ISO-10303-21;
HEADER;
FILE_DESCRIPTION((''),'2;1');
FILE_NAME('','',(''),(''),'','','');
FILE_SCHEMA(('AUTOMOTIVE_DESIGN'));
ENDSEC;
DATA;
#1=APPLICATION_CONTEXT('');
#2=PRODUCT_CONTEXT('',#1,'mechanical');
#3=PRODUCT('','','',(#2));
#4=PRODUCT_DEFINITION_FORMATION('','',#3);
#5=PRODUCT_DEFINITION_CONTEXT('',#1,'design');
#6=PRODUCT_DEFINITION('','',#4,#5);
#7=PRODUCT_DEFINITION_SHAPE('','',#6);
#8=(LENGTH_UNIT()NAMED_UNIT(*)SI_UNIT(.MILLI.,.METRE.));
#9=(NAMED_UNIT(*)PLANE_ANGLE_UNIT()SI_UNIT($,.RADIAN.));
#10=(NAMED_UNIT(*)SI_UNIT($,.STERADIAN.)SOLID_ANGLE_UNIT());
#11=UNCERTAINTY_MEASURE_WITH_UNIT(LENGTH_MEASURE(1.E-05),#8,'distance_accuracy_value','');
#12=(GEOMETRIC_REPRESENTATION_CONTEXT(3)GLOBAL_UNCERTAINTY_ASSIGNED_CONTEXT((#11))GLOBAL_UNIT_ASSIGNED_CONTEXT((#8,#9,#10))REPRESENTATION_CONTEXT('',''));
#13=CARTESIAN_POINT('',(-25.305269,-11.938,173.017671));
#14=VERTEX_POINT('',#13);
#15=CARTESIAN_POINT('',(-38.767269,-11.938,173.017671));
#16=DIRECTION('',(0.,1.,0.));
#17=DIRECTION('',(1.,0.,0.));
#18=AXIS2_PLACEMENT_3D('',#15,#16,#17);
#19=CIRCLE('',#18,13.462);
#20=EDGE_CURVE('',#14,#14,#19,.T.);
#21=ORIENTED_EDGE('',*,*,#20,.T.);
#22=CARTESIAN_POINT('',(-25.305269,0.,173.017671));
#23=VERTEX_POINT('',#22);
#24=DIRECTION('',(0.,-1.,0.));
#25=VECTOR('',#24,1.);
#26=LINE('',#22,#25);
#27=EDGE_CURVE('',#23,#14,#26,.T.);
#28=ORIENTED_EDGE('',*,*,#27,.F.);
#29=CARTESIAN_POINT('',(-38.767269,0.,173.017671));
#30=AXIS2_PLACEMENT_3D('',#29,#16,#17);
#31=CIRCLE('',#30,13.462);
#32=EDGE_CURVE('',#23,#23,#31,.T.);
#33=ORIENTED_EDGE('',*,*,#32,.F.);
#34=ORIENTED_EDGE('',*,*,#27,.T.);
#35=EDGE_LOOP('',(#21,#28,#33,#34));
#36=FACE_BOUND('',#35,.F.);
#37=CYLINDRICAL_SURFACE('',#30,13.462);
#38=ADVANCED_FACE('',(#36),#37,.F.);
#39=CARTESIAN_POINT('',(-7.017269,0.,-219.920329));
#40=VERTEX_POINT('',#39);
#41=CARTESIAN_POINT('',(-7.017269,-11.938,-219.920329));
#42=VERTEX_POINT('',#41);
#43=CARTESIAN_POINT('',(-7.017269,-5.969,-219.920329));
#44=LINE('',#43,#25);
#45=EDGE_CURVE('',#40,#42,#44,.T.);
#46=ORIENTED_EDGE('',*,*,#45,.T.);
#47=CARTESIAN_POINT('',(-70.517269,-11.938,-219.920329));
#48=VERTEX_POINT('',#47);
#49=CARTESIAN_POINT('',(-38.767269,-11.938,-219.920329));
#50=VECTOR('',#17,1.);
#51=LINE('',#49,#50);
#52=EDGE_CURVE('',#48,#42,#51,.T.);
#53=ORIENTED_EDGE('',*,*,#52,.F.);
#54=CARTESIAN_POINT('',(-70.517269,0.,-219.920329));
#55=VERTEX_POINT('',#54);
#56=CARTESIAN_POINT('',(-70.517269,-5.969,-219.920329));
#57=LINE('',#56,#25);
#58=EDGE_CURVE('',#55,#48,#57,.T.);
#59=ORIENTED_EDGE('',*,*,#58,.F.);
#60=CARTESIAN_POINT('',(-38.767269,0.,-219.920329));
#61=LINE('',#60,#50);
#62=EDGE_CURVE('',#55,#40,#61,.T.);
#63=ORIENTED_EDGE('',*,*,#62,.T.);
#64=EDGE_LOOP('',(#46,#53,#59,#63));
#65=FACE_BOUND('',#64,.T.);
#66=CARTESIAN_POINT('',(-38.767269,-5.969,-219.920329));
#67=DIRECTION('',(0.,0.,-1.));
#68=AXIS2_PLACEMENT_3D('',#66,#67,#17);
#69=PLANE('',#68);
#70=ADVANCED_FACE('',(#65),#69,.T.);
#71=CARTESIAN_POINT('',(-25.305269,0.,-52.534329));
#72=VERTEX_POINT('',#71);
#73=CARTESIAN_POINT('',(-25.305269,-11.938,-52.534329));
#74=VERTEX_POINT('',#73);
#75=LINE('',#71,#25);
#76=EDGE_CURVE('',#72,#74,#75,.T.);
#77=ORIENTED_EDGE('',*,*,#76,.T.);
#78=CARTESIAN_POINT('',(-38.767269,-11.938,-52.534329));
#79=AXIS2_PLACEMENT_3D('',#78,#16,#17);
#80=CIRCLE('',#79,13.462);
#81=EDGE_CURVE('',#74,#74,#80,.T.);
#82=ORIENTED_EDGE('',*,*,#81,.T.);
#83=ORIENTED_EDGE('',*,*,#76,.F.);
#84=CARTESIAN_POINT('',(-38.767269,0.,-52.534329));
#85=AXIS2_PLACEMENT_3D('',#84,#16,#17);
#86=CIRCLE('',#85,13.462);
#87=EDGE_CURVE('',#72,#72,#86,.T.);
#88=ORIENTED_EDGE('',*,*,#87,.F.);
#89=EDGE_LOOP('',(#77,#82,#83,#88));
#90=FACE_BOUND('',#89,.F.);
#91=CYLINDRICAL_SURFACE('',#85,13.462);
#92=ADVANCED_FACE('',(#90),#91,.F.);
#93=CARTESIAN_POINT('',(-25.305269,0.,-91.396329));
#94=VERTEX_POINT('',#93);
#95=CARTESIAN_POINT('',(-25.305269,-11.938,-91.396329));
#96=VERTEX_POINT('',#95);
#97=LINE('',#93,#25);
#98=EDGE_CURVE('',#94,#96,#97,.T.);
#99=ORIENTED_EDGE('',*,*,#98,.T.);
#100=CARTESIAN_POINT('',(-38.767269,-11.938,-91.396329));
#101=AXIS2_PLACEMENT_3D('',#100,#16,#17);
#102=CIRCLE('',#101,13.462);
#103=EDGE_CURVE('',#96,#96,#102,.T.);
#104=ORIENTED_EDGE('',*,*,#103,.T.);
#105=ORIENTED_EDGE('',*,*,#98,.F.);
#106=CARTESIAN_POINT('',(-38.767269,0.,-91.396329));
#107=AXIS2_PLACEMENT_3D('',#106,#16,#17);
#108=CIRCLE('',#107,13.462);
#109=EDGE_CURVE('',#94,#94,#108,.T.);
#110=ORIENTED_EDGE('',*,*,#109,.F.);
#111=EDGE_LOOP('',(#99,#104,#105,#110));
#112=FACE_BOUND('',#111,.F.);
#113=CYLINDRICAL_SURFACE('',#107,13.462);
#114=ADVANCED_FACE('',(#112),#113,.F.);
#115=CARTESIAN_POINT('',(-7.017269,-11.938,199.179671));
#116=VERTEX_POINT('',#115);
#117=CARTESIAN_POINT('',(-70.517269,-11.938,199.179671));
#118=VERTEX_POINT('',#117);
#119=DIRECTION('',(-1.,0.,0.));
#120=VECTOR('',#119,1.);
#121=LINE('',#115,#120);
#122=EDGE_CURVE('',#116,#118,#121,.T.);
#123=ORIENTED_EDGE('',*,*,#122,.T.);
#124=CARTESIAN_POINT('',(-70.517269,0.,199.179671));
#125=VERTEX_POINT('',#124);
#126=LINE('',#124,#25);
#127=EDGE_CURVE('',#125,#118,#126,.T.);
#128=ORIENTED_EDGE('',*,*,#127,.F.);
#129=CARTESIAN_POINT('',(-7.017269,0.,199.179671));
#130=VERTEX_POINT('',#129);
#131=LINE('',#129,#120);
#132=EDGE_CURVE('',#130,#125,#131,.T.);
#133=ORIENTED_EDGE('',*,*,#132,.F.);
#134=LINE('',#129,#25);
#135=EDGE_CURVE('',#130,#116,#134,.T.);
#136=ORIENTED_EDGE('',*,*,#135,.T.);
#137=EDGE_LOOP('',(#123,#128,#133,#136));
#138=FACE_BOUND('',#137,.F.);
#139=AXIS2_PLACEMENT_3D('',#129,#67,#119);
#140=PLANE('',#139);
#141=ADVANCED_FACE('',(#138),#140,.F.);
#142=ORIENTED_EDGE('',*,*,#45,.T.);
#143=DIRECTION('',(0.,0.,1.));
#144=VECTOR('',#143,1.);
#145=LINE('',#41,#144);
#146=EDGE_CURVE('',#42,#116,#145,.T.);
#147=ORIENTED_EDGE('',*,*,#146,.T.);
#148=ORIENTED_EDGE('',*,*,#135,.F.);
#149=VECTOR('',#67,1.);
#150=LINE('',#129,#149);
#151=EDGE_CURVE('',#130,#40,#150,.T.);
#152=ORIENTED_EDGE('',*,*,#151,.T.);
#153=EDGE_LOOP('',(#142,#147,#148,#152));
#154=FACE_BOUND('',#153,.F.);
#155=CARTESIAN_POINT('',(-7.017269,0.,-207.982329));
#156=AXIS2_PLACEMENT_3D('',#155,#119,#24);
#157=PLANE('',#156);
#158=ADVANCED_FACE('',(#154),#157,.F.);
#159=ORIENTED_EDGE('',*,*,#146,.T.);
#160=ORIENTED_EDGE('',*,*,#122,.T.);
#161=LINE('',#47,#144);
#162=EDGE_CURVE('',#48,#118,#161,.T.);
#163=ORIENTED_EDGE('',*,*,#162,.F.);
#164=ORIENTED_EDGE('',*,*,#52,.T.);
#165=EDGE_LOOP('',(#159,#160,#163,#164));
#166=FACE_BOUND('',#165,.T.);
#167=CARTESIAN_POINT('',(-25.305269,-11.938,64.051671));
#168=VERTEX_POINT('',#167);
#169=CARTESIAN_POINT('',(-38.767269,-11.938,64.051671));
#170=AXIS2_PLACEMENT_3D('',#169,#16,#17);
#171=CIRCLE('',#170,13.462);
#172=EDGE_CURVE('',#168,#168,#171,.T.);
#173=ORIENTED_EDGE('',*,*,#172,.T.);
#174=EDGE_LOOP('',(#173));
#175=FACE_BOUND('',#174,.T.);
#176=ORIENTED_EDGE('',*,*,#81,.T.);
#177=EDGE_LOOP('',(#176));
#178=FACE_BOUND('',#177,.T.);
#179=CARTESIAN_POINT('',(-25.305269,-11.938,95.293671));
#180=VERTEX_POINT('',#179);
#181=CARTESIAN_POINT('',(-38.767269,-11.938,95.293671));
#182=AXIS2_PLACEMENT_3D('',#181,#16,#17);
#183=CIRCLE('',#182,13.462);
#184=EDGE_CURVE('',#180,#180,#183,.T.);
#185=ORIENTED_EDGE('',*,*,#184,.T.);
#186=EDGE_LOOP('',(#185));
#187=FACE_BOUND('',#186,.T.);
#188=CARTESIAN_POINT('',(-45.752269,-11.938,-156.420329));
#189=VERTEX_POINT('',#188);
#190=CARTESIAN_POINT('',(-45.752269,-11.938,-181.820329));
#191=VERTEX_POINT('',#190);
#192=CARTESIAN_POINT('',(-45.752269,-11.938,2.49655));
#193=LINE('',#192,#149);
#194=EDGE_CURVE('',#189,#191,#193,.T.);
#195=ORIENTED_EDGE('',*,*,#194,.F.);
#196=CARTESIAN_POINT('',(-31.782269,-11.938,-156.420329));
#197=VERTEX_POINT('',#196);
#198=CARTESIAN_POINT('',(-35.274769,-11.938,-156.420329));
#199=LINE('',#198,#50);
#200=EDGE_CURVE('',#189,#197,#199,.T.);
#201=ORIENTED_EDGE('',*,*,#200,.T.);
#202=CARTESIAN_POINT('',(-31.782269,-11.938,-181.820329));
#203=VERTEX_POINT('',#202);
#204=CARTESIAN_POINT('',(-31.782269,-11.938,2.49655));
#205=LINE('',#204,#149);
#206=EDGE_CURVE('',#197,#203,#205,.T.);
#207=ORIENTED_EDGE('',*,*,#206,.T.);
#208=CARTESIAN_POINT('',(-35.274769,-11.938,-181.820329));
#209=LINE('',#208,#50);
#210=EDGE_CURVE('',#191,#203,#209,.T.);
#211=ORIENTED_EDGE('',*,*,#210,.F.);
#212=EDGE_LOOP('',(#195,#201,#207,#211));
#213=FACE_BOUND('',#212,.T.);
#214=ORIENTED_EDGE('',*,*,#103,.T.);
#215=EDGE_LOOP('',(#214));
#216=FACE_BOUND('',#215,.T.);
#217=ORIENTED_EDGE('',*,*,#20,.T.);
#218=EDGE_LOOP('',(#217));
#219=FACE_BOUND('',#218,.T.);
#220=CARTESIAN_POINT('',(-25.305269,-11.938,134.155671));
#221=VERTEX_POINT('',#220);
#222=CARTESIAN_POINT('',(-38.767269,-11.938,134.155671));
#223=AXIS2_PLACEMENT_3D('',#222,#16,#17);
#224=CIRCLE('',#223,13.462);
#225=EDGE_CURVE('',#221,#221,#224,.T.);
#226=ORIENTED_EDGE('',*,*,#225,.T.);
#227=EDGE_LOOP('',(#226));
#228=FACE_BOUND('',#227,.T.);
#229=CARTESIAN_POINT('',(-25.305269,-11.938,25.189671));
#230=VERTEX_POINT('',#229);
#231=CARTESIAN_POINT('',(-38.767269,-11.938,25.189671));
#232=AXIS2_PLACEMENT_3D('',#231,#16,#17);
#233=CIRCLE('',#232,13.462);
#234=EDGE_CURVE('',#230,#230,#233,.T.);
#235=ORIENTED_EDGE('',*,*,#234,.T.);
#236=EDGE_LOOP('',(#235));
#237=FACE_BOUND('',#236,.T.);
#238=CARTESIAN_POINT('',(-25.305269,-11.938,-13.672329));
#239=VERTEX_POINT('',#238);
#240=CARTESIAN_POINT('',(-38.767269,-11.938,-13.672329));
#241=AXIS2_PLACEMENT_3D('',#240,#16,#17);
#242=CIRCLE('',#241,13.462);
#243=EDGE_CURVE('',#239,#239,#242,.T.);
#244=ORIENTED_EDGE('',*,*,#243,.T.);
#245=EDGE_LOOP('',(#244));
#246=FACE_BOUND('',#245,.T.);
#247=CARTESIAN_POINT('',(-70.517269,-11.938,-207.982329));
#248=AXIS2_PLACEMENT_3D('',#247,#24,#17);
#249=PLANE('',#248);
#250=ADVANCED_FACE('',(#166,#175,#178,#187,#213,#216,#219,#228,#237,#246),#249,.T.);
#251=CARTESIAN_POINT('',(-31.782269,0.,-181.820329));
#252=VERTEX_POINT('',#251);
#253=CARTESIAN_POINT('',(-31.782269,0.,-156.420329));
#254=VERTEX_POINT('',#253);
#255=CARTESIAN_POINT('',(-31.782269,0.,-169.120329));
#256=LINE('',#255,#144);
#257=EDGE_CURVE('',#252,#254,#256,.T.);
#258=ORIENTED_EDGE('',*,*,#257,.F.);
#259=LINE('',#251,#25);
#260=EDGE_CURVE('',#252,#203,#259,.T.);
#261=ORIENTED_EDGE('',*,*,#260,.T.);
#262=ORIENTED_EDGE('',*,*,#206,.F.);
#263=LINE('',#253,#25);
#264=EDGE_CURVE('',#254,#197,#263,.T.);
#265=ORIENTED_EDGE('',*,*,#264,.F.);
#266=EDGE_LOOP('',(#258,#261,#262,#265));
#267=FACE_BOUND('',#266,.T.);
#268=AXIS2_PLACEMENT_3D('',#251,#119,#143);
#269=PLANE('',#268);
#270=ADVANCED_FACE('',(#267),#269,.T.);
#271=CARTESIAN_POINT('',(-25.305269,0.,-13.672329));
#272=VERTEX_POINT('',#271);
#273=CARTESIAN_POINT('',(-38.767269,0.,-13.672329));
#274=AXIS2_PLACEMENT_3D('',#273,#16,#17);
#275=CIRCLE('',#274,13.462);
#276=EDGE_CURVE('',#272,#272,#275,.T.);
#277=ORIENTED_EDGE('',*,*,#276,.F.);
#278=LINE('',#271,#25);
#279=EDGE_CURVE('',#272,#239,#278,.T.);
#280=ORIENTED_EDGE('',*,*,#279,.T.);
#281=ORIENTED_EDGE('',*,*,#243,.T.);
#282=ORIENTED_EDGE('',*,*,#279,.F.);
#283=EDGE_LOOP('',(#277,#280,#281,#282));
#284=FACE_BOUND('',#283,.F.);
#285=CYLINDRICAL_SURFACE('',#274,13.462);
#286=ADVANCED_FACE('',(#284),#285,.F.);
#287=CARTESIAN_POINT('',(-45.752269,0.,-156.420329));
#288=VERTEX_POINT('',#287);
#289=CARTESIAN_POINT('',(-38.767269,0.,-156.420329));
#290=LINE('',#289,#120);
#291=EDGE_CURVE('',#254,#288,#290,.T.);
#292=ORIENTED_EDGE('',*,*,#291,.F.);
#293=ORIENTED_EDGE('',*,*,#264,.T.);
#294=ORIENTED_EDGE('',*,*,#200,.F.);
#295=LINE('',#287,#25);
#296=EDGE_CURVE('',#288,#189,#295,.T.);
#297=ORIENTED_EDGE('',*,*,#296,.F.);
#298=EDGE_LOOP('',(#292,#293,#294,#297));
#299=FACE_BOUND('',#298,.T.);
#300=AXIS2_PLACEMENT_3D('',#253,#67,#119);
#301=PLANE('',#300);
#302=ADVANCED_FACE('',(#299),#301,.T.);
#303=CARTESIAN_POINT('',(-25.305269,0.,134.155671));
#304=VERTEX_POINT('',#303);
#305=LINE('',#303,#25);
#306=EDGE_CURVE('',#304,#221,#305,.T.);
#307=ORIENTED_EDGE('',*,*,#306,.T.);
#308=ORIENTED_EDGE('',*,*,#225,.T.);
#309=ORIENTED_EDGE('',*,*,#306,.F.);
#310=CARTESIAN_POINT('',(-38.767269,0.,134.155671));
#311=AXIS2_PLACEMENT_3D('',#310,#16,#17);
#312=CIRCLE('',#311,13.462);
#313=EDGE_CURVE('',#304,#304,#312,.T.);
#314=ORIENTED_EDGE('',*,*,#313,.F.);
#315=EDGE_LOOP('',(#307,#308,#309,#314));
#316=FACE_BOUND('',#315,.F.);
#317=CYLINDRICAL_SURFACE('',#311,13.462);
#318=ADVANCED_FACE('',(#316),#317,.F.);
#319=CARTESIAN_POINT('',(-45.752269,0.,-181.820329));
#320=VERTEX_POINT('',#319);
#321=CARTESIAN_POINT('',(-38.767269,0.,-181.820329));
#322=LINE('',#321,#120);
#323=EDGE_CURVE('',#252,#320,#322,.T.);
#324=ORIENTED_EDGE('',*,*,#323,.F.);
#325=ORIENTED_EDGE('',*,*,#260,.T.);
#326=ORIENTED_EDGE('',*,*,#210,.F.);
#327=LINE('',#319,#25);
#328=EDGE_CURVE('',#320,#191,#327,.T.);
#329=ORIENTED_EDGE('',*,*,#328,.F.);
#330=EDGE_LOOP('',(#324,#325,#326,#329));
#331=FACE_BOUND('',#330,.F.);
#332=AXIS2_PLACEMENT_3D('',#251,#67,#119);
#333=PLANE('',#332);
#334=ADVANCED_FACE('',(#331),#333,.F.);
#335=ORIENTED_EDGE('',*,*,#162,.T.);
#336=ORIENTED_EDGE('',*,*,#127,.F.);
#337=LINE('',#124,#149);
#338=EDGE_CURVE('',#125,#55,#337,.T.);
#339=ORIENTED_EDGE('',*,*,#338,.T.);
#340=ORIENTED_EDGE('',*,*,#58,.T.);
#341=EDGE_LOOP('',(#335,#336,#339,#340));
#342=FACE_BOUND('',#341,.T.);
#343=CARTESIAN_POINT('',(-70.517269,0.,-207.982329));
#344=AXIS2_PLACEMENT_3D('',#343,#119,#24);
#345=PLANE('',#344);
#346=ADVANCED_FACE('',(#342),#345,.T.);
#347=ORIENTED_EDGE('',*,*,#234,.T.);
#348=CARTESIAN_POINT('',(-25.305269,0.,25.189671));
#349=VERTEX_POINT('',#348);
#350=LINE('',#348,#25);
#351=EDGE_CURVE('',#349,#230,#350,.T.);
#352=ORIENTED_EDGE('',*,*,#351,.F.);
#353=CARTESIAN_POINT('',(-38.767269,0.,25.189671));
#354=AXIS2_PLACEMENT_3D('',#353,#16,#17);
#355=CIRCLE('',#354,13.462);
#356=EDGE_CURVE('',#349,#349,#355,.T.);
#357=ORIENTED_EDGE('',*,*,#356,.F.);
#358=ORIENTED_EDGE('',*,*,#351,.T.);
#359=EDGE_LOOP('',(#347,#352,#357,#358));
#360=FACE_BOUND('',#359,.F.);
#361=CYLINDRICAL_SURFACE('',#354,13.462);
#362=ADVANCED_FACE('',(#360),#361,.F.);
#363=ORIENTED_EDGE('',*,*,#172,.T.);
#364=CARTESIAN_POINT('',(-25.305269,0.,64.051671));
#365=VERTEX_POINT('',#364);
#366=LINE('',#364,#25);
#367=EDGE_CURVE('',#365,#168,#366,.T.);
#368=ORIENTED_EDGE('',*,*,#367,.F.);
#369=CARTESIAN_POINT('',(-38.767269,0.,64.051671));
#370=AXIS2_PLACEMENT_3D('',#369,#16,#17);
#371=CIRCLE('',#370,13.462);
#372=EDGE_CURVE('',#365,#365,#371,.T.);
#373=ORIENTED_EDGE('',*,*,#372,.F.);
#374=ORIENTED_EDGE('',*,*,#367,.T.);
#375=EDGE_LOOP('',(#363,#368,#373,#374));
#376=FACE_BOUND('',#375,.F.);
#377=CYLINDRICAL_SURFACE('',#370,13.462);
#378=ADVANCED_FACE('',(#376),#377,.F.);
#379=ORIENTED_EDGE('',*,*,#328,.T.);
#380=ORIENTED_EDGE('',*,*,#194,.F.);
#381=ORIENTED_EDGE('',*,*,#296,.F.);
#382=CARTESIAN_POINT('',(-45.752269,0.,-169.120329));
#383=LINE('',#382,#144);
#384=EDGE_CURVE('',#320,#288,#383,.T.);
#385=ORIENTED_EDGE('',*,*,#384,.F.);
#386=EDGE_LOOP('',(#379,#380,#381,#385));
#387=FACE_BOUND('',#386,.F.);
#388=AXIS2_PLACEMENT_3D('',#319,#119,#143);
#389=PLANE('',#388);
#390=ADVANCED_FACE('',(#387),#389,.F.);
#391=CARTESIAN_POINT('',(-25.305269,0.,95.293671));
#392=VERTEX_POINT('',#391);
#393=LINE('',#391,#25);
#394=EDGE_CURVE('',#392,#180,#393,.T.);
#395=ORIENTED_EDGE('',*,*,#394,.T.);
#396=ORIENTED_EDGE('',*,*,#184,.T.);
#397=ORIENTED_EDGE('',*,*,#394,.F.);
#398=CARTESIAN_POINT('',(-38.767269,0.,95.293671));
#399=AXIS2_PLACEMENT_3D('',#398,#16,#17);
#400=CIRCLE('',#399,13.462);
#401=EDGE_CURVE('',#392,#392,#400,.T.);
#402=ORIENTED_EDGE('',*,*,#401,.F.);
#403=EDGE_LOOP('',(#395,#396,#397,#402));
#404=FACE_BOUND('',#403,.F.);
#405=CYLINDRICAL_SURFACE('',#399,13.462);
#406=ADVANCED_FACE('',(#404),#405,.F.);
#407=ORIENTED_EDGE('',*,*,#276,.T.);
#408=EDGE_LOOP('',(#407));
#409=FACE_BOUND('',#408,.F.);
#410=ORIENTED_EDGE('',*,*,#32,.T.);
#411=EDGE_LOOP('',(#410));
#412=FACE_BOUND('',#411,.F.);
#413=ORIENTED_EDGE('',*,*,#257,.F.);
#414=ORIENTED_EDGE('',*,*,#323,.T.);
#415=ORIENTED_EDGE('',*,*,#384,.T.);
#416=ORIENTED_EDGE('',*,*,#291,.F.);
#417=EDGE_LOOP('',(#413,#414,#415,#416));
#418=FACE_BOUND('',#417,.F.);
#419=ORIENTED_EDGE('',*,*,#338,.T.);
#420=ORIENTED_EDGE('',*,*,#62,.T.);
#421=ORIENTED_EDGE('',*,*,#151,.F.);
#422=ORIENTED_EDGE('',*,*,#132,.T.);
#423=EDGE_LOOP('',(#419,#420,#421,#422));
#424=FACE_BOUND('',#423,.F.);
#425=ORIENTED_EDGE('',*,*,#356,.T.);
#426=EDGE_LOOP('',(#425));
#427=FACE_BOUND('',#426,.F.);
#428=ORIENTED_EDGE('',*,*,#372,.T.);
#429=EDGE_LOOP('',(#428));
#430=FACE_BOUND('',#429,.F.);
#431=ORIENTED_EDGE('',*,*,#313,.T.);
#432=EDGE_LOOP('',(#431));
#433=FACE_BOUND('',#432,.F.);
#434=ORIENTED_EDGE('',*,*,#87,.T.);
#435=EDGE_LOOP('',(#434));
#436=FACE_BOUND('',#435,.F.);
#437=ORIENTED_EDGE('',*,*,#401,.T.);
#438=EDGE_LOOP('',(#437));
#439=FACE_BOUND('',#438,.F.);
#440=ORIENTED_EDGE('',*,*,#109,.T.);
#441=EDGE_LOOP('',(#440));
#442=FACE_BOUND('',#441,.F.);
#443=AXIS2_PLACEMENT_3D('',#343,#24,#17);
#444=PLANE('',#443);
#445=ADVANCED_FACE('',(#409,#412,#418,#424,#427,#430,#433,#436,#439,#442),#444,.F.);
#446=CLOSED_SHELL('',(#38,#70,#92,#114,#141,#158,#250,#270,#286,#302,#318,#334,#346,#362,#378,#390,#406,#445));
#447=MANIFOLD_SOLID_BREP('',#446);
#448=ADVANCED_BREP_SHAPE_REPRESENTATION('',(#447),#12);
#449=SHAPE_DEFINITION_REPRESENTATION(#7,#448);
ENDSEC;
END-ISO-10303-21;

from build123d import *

# Parameters (mm, degrees)
F0_W     = 63.5
F0_H     = 38.862
F0_H_2   = 26.162
F0_H_3   = 12.7
F1_DEPTH = 11.938
F2_W     = 13.97
F2_H     = 25.4
F3_DEPTH = 25.4
F4_W     = 63.5
F4_H     = 11.938
F5_DEPTH = 11.938


with BuildPart() as f1:
    # F0 (on Front) → F1 (new body)
    with BuildSketch(Plane.XZ):
        with BuildLine():
            Line((-70.517269, 199.179671), (-70.517269, 173.017671))
            Line((-70.517269, 173.017671), (-52.229269, 173.017671))
            ThreePointArc((-52.229269, 173.017671), (-38.767269, 186.479671), (-25.305269, 173.017671))
            Line((-25.305269, 173.017671), (-7.017269, 173.017671))
            Line((-7.017269, 173.017671), (-7.017269, 199.179671))
            Line((-7.017269, 199.179671), (-70.517269, 199.179671))
        make_face()
        with BuildLine():
            Line((-70.517269, 173.017671), (-70.517269, 134.155671))
            Line((-70.517269, 134.155671), (-52.229269, 134.155671))
            ThreePointArc((-52.229269, 134.155671), (-38.767269, 147.617671), (-25.305269, 134.155671))
            Line((-25.305269, 134.155671), (-7.017269, 134.155671))
            Line((-7.017269, 134.155671), (-7.017269, 173.017671))
            Line((-7.017269, 173.017671), (-25.305269, 173.017671))
            ThreePointArc((-25.305269, 173.017671), (-38.767269, 159.555671), (-52.229269, 173.017671))
            Line((-52.229269, 173.017671), (-70.517269, 173.017671))
        make_face()
        with BuildLine():
            Line((-70.517269, 134.155671), (-70.517269, 95.293671))
            Line((-70.517269, 95.293671), (-52.229269, 95.293671))
            ThreePointArc((-52.229269, 95.293671), (-38.767269, 108.755671), (-25.305269, 95.293671))
            Line((-25.305269, 95.293671), (-7.017269, 95.293671))
            Line((-7.017269, 95.293671), (-7.017269, 134.155671))
            Line((-7.017269, 134.155671), (-25.305269, 134.155671))
            ThreePointArc((-25.305269, 134.155671), (-38.767269, 120.693671), (-52.229269, 134.155671))
            Line((-52.229269, 134.155671), (-70.517269, 134.155671))
        make_face()
        with BuildLine():
            Line((-70.517269, 95.293671), (-70.517269, 64.051671))
            Line((-70.517269, 64.051671), (-52.229269, 64.051671))
            ThreePointArc((-52.229269, 64.051671), (-38.767269, 77.513671), (-25.305269, 64.051671))
            Line((-25.305269, 64.051671), (-7.017269, 64.051671))
            Line((-7.017269, 64.051671), (-7.017269, 95.293671))
            Line((-7.017269, 95.293671), (-25.305269, 95.293671))
            ThreePointArc((-25.305269, 95.293671), (-38.767269, 81.831671), (-52.229269, 95.293671))
            Line((-52.229269, 95.293671), (-70.517269, 95.293671))
        make_face()
        with BuildLine():
            Line((-70.517269, 64.051671), (-70.517269, 25.189671))
            Line((-70.517269, 25.189671), (-52.229269, 25.189671))
            ThreePointArc((-52.229269, 25.189671), (-38.767269, 38.651671), (-25.305269, 25.189671))
            Line((-25.305269, 25.189671), (-7.017269, 25.189671))
            Line((-7.017269, 25.189671), (-7.017269, 64.051671))
            Line((-7.017269, 64.051671), (-25.305269, 64.051671))
            ThreePointArc((-25.305269, 64.051671), (-38.767269, 50.589671), (-52.229269, 64.051671))
            Line((-52.229269, 64.051671), (-70.517269, 64.051671))
        make_face()
        with BuildLine():
            Line((-70.517269, 25.189671), (-70.517269, -13.672329))
            Line((-70.517269, -13.672329), (-52.229269, -13.672329))
            ThreePointArc((-52.229269, -13.672329), (-38.767269, -0.210329), (-25.305269, -13.672329))
            Line((-25.305269, -13.672329), (-7.017269, -13.672329))
            Line((-7.017269, -13.672329), (-7.017269, 25.189671))
            Line((-7.017269, 25.189671), (-25.305269, 25.189671))
            ThreePointArc((-25.305269, 25.189671), (-38.767269, 11.727671), (-52.229269, 25.189671))
            Line((-52.229269, 25.189671), (-70.517269, 25.189671))
        make_face()
        with BuildLine():
            Line((-70.517269, -13.672329), (-70.517269, -52.534329))
            Line((-70.517269, -52.534329), (-52.229269, -52.534329))
            ThreePointArc((-52.229269, -52.534329), (-38.767269, -39.072329), (-25.305269, -52.534329))
            Line((-25.305269, -52.534329), (-7.017269, -52.534329))
            Line((-7.017269, -52.534329), (-7.017269, -13.672329))
            Line((-7.017269, -13.672329), (-25.305269, -13.672329))
            ThreePointArc((-25.305269, -13.672329), (-38.767269, -27.134329), (-52.229269, -13.672329))
            Line((-52.229269, -13.672329), (-70.517269, -13.672329))
        make_face()
        with BuildLine():
            Line((-70.517269, -52.534329), (-70.517269, -91.396329))
            Line((-70.517269, -91.396329), (-52.229269, -91.396329))
            ThreePointArc((-52.229269, -91.396329), (-38.767269, -77.934329), (-25.305269, -91.396329))
            Line((-25.305269, -91.396329), (-7.017269, -91.396329))
            Line((-7.017269, -91.396329), (-7.017269, -52.534329))
            Line((-7.017269, -52.534329), (-25.305269, -52.534329))
            ThreePointArc((-25.305269, -52.534329), (-38.767269, -65.996329), (-52.229269, -52.534329))
            Line((-52.229269, -52.534329), (-70.517269, -52.534329))
        make_face()
        with BuildLine():
            Line((-70.517269, -91.396329), (-70.517269, -130.258329))
            Line((-70.517269, -130.258329), (-7.017269, -130.258329))
            Line((-7.017269, -130.258329), (-7.017269, -91.396329))
            Line((-7.017269, -91.396329), (-25.305269, -91.396329))
            ThreePointArc((-25.305269, -91.396329), (-38.767269, -104.858329), (-52.229269, -91.396329))
            Line((-52.229269, -91.396329), (-70.517269, -91.396329))
        make_face()
        with Locations((-38.767269, -149.689329)):
            Rectangle(F0_W, F0_H)
        with Locations((-38.767269, -182.201329)):
            Rectangle(F0_W, F0_H_2)
        with Locations((-38.767269, -201.632329)):
            Rectangle(F0_W, F0_H_3)
    extrude(amount=F1_DEPTH)

    # F2 (on face) → F3 (cut)
    with BuildSketch(Plane(origin=(0, 0, 0), x_dir=(-1, 0, 0), z_dir=(0, 1, 0))):
        with Locations((38.767269, -169.120329)):
            Rectangle(F2_W, F2_H)
    extrude(amount=-F3_DEPTH, mode=Mode.SUBTRACT)

    # F4 (on face) → F5 (join)
    with BuildSketch(Plane(origin=(0, 0, -207.982329), x_dir=(1, 0, 0), z_dir=(0, 0, -1))):
        with Locations((-38.767269, 5.969)):
            Rectangle(F4_W, F4_H)
    extrude(amount=F5_DEPTH)


solid = f1.part
